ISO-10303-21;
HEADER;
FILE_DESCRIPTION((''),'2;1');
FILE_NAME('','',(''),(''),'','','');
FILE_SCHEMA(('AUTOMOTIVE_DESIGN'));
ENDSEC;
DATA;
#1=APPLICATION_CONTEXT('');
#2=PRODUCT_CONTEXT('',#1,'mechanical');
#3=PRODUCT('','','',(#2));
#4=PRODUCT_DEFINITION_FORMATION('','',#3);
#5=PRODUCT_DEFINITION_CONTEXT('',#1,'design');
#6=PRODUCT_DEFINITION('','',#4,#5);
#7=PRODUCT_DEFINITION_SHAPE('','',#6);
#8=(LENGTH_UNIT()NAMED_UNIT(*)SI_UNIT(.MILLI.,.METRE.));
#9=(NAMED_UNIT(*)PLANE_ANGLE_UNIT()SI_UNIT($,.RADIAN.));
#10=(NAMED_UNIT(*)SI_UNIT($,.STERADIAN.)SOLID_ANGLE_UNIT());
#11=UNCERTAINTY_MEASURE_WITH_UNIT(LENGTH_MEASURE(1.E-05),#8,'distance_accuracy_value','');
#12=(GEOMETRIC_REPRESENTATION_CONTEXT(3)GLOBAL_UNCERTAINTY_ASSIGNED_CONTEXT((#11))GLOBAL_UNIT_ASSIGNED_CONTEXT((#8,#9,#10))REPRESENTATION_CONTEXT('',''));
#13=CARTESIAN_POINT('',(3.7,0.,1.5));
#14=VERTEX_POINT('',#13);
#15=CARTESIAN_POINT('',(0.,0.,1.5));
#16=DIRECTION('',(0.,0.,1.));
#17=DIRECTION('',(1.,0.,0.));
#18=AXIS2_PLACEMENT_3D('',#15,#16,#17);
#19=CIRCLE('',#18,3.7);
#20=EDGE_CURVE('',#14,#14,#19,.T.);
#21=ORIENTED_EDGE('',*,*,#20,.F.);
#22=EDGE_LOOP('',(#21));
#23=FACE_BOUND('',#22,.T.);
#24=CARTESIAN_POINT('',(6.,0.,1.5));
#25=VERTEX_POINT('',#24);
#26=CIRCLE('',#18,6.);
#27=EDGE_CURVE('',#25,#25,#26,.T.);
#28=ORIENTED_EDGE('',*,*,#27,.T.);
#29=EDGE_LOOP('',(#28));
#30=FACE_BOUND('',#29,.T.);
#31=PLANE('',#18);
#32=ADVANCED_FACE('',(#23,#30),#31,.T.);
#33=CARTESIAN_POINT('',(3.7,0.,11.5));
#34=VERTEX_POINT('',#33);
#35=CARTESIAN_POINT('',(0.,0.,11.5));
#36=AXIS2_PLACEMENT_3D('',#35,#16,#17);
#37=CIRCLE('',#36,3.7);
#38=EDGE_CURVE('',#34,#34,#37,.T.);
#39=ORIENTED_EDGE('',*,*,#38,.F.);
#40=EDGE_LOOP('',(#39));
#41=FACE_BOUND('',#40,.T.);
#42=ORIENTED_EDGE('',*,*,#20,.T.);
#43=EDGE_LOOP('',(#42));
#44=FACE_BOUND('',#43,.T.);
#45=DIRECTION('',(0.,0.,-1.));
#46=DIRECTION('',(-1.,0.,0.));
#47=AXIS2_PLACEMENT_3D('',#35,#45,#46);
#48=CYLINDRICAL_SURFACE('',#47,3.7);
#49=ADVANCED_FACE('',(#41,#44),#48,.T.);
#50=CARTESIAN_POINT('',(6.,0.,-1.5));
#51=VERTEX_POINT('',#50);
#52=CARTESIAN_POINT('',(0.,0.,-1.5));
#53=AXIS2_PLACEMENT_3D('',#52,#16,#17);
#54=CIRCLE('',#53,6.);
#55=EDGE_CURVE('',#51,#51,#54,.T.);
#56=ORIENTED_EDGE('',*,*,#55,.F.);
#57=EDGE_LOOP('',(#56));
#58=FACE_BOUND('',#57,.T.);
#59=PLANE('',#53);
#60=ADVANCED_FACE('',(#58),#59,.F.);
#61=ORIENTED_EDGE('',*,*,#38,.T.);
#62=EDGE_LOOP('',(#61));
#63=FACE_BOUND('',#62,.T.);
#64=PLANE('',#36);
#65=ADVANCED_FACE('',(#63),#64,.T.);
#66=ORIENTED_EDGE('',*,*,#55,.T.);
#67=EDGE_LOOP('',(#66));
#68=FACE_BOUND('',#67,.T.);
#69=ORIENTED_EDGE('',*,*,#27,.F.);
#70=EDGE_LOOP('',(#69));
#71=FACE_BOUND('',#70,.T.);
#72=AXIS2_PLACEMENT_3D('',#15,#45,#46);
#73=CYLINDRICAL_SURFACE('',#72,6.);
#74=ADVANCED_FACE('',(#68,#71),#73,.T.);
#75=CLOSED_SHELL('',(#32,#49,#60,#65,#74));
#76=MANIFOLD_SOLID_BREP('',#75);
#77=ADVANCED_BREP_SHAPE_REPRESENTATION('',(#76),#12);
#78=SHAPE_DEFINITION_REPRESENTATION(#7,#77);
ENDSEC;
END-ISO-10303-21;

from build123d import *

# Parameters (mm, degrees)
SKETCH1_R           = 6
BOSS_EXTRUDE1_DEPTH = 1.5
SKETCH2_R           = 3.7
BOSS_EXTRUDE2_DEPTH = 10


with BuildPart() as part:
    # Sketch1 → Boss-Extrude1 (new body, symmetric)
    with BuildSketch(Plane.XY):
        Circle(SKETCH1_R)
    extrude(amount=BOSS_EXTRUDE1_DEPTH, both=True)

    # Sketch2 → Boss-Extrude2 (add)
    with BuildSketch(Plane.XY.offset(1.5)):
        Circle(SKETCH2_R)
    extrude(amount=BOSS_EXTRUDE2_DEPTH)


solid = part.part
